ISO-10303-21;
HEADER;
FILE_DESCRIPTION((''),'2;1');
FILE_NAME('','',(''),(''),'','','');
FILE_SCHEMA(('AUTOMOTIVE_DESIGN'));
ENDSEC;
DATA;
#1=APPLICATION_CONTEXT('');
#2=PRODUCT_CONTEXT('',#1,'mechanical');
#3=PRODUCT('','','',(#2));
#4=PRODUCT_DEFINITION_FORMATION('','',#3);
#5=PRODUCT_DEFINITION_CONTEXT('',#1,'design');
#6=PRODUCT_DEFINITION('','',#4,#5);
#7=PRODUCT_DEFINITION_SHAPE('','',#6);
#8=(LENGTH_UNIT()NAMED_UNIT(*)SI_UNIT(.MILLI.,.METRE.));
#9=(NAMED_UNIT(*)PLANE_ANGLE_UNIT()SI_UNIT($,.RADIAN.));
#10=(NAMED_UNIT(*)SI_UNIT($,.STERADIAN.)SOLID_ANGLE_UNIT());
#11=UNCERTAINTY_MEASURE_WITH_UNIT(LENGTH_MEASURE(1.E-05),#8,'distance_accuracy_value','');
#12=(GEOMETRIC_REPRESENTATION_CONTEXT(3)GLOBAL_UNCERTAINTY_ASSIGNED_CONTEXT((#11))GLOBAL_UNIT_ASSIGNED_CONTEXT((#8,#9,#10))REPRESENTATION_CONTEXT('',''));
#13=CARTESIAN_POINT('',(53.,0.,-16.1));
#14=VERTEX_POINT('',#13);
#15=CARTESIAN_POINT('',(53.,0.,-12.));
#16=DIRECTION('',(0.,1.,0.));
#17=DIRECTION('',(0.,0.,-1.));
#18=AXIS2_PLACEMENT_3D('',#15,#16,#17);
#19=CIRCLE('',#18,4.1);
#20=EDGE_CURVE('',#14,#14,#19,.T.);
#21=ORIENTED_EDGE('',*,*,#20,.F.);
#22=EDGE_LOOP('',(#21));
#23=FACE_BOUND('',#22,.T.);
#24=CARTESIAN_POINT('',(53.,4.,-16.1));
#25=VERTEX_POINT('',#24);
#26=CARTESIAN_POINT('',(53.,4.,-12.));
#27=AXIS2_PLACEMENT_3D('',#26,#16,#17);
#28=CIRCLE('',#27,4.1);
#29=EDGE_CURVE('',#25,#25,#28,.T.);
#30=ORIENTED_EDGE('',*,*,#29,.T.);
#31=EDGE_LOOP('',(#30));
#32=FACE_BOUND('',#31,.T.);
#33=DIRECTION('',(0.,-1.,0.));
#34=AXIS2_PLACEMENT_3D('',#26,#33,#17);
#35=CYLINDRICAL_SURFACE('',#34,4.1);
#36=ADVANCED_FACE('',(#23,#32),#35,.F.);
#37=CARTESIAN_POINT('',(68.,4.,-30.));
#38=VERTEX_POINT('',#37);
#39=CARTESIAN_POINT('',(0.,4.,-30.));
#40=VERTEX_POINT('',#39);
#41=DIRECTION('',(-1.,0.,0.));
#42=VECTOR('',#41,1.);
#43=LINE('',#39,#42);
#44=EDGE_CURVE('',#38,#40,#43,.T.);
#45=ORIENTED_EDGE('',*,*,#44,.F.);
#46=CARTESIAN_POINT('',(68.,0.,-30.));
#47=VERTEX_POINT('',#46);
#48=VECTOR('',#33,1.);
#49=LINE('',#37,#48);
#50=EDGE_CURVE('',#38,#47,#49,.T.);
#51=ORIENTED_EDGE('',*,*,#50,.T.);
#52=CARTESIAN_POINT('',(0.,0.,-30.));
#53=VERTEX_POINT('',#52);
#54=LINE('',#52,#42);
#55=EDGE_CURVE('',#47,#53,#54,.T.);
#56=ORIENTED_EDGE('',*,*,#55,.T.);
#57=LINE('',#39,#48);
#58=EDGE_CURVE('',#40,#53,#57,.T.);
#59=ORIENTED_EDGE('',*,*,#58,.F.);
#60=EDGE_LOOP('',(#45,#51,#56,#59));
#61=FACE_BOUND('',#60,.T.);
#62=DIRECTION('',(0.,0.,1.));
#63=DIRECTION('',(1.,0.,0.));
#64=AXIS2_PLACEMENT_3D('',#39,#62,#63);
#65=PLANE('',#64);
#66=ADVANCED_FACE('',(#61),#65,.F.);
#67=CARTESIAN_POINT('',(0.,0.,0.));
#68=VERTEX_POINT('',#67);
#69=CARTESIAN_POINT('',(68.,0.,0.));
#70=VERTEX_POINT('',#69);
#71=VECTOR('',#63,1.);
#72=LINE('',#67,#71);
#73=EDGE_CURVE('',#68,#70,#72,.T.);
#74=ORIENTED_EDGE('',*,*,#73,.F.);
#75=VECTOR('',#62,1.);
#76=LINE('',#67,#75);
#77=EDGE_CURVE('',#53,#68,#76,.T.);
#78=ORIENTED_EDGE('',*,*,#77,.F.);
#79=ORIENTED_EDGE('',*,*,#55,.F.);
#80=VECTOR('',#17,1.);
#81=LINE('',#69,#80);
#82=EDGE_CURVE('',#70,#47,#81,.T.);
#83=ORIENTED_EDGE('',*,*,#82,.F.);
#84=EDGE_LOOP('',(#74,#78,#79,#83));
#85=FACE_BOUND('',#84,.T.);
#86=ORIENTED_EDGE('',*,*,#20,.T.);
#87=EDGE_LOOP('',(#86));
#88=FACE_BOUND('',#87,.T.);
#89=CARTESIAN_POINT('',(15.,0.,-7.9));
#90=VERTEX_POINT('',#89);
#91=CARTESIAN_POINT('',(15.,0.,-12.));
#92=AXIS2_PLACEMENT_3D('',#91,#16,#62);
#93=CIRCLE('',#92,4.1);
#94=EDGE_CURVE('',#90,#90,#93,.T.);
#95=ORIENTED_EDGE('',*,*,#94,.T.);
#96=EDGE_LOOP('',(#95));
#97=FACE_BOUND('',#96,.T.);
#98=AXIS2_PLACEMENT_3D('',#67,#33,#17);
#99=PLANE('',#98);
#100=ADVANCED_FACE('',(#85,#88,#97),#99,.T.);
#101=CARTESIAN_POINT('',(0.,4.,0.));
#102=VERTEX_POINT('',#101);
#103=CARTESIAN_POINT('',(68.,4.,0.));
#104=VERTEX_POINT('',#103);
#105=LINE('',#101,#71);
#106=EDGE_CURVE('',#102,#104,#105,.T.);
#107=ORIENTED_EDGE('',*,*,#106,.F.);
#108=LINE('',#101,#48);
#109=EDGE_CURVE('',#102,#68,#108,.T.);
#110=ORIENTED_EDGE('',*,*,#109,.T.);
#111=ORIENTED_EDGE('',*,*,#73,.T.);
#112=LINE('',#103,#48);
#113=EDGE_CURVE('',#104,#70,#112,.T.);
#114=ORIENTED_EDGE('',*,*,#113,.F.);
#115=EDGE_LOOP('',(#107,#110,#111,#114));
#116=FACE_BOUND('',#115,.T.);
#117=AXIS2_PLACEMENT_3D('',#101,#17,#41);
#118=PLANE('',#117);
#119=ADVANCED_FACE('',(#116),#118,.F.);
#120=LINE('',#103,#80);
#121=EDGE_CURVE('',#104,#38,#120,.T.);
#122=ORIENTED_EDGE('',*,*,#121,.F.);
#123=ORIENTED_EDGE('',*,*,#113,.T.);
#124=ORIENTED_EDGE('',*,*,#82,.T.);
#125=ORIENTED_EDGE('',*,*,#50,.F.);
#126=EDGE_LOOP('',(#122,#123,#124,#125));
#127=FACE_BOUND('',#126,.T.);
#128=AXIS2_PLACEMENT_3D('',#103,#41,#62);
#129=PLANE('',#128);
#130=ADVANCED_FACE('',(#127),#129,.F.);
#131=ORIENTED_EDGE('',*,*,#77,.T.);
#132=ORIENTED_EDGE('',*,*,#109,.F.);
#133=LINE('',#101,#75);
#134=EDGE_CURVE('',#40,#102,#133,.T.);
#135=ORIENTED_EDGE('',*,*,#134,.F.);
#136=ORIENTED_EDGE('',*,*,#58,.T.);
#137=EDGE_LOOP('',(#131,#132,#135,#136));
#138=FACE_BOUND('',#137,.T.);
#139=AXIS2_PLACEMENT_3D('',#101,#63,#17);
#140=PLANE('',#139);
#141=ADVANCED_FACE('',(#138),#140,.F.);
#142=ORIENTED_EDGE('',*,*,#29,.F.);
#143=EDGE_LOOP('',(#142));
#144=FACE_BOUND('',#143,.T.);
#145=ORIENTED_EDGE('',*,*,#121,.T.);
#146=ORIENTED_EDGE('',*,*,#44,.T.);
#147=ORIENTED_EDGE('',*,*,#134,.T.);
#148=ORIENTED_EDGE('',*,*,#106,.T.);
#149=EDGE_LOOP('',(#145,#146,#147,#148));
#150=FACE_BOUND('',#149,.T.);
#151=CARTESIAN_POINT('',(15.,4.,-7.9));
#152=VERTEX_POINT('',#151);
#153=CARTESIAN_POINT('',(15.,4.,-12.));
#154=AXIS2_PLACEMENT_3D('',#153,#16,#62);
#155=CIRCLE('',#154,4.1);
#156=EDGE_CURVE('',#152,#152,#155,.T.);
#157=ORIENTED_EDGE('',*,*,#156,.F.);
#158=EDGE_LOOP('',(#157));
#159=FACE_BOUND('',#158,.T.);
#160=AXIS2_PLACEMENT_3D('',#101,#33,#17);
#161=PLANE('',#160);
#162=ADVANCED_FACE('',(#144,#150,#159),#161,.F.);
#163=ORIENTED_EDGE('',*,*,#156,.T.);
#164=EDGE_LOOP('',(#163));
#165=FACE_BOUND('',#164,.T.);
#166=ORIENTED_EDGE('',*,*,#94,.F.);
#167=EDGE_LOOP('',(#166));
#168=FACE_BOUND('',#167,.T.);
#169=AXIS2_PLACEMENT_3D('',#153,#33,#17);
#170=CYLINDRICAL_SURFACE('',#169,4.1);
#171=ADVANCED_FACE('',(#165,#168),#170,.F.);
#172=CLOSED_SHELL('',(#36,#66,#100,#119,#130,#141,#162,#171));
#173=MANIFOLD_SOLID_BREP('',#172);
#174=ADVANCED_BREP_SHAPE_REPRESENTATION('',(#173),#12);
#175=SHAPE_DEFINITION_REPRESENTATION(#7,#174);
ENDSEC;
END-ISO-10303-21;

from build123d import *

# Parameters (mm, degrees)
SKETCH_1_W      = 68
SKETCH_1_H      = 30
SKETCH_1_R      = 4.1
EXTRUDE_1_DEPTH = 4


with BuildPart() as part:
    # Эскиз1 → Бобышка-Вытянуть1 (new body)
    with BuildSketch(Plane(origin=(0, 0, 0), x_dir=(1, 0, 0), z_dir=(0, 1, 0))):
        with Locations((34, 15)):
            Rectangle(SKETCH_1_W, SKETCH_1_H)
        with Locations((15, 12)):
            Circle(SKETCH_1_R, mode=Mode.SUBTRACT)
        with Locations((53, 12)):
            Circle(SKETCH_1_R, mode=Mode.SUBTRACT)
    extrude(amount=EXTRUDE_1_DEPTH)


solid = part.part
